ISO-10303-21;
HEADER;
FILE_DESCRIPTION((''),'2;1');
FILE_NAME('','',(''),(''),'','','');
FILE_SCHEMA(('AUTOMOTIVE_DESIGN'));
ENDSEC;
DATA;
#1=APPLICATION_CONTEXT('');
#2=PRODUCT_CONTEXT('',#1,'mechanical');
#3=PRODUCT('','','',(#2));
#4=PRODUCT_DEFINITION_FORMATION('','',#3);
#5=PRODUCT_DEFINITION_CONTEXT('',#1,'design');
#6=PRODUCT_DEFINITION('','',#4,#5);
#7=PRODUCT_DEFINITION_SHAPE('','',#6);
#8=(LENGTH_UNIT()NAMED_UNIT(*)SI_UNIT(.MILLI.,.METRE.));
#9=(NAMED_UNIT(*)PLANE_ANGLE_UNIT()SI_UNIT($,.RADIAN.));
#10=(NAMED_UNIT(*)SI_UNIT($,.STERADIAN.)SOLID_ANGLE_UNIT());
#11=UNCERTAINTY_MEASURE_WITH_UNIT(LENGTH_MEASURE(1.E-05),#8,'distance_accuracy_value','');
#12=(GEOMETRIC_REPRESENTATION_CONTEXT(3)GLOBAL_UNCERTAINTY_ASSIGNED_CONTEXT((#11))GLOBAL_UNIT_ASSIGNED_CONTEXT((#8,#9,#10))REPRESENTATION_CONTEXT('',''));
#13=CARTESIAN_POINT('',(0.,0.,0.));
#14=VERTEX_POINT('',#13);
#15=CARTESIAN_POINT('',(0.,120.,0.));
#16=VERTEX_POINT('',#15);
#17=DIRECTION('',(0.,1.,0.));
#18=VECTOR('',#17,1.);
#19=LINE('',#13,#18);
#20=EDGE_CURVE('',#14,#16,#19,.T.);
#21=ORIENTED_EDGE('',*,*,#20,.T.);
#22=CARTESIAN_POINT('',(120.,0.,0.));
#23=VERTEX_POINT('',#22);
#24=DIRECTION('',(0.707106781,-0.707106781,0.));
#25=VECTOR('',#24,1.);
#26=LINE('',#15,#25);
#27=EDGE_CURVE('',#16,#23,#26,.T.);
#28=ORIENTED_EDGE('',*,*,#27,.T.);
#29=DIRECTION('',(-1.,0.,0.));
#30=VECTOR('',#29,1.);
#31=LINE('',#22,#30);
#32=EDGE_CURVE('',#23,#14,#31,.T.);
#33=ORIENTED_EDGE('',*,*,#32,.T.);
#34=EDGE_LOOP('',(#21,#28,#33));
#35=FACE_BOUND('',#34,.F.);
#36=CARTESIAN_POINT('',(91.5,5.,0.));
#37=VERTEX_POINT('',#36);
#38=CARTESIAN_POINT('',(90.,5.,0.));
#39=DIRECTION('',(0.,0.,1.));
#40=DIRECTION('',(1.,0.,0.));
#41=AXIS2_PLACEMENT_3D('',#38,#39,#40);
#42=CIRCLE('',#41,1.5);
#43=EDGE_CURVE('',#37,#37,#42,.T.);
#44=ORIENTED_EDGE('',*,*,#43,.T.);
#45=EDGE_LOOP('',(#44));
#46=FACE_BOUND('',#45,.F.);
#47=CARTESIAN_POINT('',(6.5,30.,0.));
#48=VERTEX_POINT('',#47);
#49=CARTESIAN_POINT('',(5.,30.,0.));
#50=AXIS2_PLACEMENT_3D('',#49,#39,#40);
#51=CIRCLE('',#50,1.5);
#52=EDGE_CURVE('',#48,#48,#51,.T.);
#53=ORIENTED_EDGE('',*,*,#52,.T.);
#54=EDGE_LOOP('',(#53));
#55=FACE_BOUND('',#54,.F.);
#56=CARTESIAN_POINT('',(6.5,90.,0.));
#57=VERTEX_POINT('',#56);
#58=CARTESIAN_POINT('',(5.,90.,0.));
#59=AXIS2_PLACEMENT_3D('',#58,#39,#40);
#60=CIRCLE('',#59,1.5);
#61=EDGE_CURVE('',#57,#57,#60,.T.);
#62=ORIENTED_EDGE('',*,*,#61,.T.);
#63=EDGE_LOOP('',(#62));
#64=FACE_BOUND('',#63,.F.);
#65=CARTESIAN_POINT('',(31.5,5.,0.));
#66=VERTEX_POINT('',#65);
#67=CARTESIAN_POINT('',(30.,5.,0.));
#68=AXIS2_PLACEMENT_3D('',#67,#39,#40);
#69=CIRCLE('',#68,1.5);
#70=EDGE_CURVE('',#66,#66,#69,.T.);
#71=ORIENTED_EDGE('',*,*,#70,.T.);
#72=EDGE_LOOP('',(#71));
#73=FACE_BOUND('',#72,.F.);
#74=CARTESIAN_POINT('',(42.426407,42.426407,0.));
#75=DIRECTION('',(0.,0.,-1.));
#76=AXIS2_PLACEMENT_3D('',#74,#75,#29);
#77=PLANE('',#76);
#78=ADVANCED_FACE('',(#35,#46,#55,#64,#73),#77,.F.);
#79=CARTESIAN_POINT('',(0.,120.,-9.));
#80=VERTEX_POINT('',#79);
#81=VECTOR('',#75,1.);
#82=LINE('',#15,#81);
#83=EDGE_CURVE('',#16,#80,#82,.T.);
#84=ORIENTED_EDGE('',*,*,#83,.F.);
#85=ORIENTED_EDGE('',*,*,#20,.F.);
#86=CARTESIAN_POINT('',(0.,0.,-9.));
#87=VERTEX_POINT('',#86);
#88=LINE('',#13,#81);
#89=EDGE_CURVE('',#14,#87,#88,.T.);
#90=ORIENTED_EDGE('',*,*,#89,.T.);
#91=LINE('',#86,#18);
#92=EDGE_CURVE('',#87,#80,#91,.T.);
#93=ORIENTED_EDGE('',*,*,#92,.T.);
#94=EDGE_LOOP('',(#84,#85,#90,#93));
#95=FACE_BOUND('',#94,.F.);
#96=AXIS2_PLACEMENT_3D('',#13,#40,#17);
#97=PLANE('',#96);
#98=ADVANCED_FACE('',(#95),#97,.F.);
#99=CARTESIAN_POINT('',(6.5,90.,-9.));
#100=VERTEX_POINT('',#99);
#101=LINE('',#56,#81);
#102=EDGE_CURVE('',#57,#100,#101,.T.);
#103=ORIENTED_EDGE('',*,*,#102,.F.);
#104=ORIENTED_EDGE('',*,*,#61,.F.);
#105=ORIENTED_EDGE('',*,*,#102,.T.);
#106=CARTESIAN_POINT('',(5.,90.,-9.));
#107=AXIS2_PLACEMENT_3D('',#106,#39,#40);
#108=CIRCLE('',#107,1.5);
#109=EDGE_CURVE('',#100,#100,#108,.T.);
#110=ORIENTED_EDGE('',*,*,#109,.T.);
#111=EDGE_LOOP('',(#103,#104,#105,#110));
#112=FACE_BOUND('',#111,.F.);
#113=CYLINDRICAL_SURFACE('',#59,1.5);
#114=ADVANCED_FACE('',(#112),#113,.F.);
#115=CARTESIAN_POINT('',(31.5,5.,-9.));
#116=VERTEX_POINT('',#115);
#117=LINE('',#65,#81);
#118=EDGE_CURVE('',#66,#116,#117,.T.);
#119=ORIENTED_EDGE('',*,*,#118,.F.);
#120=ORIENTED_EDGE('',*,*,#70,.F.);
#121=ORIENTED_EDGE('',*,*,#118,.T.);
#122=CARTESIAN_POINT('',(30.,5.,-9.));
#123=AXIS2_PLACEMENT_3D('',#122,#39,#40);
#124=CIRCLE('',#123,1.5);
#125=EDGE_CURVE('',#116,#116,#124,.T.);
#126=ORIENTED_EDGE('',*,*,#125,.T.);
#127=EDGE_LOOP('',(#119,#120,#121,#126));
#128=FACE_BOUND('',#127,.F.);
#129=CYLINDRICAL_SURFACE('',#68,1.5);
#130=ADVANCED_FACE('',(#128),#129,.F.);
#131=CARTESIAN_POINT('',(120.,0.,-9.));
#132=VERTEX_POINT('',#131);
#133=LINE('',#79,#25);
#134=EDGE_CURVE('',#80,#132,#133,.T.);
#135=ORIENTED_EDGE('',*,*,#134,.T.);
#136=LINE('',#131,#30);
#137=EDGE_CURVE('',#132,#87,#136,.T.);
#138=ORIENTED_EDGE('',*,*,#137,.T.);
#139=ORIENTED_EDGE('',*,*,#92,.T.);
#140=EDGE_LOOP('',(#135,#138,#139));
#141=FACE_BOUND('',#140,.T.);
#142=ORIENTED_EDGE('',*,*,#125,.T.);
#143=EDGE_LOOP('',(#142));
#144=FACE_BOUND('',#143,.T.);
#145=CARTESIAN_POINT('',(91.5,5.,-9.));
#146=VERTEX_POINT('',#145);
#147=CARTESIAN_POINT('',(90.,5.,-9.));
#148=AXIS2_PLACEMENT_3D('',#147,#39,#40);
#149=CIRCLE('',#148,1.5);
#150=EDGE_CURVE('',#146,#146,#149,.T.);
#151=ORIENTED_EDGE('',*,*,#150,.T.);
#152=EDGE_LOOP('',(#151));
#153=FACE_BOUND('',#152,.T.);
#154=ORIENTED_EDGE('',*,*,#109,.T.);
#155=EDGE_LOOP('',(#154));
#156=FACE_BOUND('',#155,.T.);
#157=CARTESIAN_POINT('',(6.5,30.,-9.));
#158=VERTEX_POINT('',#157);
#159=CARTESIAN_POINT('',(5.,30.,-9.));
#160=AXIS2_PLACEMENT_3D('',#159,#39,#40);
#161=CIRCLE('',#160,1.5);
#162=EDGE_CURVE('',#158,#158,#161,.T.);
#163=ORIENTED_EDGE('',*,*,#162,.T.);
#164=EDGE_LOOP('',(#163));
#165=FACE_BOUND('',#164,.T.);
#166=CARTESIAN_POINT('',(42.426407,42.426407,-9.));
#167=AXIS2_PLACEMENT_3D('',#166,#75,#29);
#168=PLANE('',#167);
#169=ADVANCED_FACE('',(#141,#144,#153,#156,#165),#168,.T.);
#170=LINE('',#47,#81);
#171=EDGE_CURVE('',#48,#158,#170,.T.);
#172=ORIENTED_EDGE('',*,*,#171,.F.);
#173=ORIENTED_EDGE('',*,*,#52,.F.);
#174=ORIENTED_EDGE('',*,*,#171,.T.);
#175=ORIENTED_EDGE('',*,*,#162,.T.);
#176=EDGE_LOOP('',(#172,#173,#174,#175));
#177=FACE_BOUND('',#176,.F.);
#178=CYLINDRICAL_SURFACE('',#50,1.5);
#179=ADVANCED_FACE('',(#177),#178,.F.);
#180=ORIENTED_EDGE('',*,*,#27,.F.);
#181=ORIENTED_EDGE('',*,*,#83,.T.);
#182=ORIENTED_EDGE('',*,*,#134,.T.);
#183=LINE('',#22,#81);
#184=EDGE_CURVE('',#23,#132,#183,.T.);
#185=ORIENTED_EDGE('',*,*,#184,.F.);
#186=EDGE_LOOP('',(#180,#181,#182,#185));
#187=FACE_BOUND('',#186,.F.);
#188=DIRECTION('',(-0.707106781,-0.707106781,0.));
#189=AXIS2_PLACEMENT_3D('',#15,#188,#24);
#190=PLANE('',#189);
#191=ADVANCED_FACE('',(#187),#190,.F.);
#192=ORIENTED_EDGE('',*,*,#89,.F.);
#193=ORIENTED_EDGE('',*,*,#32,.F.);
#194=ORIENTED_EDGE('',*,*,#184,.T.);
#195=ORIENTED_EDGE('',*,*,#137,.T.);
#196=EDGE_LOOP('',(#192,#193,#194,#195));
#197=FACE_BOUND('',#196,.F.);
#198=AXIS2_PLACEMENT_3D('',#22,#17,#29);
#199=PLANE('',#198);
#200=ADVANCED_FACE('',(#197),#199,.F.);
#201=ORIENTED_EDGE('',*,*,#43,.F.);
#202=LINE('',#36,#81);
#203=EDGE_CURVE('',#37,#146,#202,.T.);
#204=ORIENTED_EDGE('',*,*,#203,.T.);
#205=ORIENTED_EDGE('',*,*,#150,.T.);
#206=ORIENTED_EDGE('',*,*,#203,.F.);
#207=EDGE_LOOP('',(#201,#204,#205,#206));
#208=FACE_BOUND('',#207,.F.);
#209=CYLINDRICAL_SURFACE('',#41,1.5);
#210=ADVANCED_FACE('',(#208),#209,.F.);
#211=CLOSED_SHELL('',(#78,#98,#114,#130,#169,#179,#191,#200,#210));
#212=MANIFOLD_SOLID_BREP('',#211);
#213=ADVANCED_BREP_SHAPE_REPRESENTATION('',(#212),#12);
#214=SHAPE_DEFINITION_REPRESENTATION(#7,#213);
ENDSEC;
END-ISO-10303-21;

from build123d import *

# Parameters (mm, degrees)
PAD_DEPTH    = 9
SKETCH001_R  = 1.5
POCKET_DEPTH = 9.001


with BuildPart() as part:
    # Sketch → Pad (new body)
    with BuildSketch(Plane.XY):
        Polygon((0, 0), (0, 120), (120, 0), align=None)
    extrude(amount=-PAD_DEPTH)

    # Sketch001 (on Face4 of Pad) → Pocket (cut, through all)
    with BuildSketch(Plane.XY):
        with Locations((5, 30)):
            Circle(SKETCH001_R)
        with Locations((5, 90)):
            Circle(SKETCH001_R)
        with Locations((30, 5)):
            Circle(SKETCH001_R)
        with Locations((90, 5)):
            Circle(SKETCH001_R)
    extrude(amount=-POCKET_DEPTH, mode=Mode.SUBTRACT)


solid = part.part
